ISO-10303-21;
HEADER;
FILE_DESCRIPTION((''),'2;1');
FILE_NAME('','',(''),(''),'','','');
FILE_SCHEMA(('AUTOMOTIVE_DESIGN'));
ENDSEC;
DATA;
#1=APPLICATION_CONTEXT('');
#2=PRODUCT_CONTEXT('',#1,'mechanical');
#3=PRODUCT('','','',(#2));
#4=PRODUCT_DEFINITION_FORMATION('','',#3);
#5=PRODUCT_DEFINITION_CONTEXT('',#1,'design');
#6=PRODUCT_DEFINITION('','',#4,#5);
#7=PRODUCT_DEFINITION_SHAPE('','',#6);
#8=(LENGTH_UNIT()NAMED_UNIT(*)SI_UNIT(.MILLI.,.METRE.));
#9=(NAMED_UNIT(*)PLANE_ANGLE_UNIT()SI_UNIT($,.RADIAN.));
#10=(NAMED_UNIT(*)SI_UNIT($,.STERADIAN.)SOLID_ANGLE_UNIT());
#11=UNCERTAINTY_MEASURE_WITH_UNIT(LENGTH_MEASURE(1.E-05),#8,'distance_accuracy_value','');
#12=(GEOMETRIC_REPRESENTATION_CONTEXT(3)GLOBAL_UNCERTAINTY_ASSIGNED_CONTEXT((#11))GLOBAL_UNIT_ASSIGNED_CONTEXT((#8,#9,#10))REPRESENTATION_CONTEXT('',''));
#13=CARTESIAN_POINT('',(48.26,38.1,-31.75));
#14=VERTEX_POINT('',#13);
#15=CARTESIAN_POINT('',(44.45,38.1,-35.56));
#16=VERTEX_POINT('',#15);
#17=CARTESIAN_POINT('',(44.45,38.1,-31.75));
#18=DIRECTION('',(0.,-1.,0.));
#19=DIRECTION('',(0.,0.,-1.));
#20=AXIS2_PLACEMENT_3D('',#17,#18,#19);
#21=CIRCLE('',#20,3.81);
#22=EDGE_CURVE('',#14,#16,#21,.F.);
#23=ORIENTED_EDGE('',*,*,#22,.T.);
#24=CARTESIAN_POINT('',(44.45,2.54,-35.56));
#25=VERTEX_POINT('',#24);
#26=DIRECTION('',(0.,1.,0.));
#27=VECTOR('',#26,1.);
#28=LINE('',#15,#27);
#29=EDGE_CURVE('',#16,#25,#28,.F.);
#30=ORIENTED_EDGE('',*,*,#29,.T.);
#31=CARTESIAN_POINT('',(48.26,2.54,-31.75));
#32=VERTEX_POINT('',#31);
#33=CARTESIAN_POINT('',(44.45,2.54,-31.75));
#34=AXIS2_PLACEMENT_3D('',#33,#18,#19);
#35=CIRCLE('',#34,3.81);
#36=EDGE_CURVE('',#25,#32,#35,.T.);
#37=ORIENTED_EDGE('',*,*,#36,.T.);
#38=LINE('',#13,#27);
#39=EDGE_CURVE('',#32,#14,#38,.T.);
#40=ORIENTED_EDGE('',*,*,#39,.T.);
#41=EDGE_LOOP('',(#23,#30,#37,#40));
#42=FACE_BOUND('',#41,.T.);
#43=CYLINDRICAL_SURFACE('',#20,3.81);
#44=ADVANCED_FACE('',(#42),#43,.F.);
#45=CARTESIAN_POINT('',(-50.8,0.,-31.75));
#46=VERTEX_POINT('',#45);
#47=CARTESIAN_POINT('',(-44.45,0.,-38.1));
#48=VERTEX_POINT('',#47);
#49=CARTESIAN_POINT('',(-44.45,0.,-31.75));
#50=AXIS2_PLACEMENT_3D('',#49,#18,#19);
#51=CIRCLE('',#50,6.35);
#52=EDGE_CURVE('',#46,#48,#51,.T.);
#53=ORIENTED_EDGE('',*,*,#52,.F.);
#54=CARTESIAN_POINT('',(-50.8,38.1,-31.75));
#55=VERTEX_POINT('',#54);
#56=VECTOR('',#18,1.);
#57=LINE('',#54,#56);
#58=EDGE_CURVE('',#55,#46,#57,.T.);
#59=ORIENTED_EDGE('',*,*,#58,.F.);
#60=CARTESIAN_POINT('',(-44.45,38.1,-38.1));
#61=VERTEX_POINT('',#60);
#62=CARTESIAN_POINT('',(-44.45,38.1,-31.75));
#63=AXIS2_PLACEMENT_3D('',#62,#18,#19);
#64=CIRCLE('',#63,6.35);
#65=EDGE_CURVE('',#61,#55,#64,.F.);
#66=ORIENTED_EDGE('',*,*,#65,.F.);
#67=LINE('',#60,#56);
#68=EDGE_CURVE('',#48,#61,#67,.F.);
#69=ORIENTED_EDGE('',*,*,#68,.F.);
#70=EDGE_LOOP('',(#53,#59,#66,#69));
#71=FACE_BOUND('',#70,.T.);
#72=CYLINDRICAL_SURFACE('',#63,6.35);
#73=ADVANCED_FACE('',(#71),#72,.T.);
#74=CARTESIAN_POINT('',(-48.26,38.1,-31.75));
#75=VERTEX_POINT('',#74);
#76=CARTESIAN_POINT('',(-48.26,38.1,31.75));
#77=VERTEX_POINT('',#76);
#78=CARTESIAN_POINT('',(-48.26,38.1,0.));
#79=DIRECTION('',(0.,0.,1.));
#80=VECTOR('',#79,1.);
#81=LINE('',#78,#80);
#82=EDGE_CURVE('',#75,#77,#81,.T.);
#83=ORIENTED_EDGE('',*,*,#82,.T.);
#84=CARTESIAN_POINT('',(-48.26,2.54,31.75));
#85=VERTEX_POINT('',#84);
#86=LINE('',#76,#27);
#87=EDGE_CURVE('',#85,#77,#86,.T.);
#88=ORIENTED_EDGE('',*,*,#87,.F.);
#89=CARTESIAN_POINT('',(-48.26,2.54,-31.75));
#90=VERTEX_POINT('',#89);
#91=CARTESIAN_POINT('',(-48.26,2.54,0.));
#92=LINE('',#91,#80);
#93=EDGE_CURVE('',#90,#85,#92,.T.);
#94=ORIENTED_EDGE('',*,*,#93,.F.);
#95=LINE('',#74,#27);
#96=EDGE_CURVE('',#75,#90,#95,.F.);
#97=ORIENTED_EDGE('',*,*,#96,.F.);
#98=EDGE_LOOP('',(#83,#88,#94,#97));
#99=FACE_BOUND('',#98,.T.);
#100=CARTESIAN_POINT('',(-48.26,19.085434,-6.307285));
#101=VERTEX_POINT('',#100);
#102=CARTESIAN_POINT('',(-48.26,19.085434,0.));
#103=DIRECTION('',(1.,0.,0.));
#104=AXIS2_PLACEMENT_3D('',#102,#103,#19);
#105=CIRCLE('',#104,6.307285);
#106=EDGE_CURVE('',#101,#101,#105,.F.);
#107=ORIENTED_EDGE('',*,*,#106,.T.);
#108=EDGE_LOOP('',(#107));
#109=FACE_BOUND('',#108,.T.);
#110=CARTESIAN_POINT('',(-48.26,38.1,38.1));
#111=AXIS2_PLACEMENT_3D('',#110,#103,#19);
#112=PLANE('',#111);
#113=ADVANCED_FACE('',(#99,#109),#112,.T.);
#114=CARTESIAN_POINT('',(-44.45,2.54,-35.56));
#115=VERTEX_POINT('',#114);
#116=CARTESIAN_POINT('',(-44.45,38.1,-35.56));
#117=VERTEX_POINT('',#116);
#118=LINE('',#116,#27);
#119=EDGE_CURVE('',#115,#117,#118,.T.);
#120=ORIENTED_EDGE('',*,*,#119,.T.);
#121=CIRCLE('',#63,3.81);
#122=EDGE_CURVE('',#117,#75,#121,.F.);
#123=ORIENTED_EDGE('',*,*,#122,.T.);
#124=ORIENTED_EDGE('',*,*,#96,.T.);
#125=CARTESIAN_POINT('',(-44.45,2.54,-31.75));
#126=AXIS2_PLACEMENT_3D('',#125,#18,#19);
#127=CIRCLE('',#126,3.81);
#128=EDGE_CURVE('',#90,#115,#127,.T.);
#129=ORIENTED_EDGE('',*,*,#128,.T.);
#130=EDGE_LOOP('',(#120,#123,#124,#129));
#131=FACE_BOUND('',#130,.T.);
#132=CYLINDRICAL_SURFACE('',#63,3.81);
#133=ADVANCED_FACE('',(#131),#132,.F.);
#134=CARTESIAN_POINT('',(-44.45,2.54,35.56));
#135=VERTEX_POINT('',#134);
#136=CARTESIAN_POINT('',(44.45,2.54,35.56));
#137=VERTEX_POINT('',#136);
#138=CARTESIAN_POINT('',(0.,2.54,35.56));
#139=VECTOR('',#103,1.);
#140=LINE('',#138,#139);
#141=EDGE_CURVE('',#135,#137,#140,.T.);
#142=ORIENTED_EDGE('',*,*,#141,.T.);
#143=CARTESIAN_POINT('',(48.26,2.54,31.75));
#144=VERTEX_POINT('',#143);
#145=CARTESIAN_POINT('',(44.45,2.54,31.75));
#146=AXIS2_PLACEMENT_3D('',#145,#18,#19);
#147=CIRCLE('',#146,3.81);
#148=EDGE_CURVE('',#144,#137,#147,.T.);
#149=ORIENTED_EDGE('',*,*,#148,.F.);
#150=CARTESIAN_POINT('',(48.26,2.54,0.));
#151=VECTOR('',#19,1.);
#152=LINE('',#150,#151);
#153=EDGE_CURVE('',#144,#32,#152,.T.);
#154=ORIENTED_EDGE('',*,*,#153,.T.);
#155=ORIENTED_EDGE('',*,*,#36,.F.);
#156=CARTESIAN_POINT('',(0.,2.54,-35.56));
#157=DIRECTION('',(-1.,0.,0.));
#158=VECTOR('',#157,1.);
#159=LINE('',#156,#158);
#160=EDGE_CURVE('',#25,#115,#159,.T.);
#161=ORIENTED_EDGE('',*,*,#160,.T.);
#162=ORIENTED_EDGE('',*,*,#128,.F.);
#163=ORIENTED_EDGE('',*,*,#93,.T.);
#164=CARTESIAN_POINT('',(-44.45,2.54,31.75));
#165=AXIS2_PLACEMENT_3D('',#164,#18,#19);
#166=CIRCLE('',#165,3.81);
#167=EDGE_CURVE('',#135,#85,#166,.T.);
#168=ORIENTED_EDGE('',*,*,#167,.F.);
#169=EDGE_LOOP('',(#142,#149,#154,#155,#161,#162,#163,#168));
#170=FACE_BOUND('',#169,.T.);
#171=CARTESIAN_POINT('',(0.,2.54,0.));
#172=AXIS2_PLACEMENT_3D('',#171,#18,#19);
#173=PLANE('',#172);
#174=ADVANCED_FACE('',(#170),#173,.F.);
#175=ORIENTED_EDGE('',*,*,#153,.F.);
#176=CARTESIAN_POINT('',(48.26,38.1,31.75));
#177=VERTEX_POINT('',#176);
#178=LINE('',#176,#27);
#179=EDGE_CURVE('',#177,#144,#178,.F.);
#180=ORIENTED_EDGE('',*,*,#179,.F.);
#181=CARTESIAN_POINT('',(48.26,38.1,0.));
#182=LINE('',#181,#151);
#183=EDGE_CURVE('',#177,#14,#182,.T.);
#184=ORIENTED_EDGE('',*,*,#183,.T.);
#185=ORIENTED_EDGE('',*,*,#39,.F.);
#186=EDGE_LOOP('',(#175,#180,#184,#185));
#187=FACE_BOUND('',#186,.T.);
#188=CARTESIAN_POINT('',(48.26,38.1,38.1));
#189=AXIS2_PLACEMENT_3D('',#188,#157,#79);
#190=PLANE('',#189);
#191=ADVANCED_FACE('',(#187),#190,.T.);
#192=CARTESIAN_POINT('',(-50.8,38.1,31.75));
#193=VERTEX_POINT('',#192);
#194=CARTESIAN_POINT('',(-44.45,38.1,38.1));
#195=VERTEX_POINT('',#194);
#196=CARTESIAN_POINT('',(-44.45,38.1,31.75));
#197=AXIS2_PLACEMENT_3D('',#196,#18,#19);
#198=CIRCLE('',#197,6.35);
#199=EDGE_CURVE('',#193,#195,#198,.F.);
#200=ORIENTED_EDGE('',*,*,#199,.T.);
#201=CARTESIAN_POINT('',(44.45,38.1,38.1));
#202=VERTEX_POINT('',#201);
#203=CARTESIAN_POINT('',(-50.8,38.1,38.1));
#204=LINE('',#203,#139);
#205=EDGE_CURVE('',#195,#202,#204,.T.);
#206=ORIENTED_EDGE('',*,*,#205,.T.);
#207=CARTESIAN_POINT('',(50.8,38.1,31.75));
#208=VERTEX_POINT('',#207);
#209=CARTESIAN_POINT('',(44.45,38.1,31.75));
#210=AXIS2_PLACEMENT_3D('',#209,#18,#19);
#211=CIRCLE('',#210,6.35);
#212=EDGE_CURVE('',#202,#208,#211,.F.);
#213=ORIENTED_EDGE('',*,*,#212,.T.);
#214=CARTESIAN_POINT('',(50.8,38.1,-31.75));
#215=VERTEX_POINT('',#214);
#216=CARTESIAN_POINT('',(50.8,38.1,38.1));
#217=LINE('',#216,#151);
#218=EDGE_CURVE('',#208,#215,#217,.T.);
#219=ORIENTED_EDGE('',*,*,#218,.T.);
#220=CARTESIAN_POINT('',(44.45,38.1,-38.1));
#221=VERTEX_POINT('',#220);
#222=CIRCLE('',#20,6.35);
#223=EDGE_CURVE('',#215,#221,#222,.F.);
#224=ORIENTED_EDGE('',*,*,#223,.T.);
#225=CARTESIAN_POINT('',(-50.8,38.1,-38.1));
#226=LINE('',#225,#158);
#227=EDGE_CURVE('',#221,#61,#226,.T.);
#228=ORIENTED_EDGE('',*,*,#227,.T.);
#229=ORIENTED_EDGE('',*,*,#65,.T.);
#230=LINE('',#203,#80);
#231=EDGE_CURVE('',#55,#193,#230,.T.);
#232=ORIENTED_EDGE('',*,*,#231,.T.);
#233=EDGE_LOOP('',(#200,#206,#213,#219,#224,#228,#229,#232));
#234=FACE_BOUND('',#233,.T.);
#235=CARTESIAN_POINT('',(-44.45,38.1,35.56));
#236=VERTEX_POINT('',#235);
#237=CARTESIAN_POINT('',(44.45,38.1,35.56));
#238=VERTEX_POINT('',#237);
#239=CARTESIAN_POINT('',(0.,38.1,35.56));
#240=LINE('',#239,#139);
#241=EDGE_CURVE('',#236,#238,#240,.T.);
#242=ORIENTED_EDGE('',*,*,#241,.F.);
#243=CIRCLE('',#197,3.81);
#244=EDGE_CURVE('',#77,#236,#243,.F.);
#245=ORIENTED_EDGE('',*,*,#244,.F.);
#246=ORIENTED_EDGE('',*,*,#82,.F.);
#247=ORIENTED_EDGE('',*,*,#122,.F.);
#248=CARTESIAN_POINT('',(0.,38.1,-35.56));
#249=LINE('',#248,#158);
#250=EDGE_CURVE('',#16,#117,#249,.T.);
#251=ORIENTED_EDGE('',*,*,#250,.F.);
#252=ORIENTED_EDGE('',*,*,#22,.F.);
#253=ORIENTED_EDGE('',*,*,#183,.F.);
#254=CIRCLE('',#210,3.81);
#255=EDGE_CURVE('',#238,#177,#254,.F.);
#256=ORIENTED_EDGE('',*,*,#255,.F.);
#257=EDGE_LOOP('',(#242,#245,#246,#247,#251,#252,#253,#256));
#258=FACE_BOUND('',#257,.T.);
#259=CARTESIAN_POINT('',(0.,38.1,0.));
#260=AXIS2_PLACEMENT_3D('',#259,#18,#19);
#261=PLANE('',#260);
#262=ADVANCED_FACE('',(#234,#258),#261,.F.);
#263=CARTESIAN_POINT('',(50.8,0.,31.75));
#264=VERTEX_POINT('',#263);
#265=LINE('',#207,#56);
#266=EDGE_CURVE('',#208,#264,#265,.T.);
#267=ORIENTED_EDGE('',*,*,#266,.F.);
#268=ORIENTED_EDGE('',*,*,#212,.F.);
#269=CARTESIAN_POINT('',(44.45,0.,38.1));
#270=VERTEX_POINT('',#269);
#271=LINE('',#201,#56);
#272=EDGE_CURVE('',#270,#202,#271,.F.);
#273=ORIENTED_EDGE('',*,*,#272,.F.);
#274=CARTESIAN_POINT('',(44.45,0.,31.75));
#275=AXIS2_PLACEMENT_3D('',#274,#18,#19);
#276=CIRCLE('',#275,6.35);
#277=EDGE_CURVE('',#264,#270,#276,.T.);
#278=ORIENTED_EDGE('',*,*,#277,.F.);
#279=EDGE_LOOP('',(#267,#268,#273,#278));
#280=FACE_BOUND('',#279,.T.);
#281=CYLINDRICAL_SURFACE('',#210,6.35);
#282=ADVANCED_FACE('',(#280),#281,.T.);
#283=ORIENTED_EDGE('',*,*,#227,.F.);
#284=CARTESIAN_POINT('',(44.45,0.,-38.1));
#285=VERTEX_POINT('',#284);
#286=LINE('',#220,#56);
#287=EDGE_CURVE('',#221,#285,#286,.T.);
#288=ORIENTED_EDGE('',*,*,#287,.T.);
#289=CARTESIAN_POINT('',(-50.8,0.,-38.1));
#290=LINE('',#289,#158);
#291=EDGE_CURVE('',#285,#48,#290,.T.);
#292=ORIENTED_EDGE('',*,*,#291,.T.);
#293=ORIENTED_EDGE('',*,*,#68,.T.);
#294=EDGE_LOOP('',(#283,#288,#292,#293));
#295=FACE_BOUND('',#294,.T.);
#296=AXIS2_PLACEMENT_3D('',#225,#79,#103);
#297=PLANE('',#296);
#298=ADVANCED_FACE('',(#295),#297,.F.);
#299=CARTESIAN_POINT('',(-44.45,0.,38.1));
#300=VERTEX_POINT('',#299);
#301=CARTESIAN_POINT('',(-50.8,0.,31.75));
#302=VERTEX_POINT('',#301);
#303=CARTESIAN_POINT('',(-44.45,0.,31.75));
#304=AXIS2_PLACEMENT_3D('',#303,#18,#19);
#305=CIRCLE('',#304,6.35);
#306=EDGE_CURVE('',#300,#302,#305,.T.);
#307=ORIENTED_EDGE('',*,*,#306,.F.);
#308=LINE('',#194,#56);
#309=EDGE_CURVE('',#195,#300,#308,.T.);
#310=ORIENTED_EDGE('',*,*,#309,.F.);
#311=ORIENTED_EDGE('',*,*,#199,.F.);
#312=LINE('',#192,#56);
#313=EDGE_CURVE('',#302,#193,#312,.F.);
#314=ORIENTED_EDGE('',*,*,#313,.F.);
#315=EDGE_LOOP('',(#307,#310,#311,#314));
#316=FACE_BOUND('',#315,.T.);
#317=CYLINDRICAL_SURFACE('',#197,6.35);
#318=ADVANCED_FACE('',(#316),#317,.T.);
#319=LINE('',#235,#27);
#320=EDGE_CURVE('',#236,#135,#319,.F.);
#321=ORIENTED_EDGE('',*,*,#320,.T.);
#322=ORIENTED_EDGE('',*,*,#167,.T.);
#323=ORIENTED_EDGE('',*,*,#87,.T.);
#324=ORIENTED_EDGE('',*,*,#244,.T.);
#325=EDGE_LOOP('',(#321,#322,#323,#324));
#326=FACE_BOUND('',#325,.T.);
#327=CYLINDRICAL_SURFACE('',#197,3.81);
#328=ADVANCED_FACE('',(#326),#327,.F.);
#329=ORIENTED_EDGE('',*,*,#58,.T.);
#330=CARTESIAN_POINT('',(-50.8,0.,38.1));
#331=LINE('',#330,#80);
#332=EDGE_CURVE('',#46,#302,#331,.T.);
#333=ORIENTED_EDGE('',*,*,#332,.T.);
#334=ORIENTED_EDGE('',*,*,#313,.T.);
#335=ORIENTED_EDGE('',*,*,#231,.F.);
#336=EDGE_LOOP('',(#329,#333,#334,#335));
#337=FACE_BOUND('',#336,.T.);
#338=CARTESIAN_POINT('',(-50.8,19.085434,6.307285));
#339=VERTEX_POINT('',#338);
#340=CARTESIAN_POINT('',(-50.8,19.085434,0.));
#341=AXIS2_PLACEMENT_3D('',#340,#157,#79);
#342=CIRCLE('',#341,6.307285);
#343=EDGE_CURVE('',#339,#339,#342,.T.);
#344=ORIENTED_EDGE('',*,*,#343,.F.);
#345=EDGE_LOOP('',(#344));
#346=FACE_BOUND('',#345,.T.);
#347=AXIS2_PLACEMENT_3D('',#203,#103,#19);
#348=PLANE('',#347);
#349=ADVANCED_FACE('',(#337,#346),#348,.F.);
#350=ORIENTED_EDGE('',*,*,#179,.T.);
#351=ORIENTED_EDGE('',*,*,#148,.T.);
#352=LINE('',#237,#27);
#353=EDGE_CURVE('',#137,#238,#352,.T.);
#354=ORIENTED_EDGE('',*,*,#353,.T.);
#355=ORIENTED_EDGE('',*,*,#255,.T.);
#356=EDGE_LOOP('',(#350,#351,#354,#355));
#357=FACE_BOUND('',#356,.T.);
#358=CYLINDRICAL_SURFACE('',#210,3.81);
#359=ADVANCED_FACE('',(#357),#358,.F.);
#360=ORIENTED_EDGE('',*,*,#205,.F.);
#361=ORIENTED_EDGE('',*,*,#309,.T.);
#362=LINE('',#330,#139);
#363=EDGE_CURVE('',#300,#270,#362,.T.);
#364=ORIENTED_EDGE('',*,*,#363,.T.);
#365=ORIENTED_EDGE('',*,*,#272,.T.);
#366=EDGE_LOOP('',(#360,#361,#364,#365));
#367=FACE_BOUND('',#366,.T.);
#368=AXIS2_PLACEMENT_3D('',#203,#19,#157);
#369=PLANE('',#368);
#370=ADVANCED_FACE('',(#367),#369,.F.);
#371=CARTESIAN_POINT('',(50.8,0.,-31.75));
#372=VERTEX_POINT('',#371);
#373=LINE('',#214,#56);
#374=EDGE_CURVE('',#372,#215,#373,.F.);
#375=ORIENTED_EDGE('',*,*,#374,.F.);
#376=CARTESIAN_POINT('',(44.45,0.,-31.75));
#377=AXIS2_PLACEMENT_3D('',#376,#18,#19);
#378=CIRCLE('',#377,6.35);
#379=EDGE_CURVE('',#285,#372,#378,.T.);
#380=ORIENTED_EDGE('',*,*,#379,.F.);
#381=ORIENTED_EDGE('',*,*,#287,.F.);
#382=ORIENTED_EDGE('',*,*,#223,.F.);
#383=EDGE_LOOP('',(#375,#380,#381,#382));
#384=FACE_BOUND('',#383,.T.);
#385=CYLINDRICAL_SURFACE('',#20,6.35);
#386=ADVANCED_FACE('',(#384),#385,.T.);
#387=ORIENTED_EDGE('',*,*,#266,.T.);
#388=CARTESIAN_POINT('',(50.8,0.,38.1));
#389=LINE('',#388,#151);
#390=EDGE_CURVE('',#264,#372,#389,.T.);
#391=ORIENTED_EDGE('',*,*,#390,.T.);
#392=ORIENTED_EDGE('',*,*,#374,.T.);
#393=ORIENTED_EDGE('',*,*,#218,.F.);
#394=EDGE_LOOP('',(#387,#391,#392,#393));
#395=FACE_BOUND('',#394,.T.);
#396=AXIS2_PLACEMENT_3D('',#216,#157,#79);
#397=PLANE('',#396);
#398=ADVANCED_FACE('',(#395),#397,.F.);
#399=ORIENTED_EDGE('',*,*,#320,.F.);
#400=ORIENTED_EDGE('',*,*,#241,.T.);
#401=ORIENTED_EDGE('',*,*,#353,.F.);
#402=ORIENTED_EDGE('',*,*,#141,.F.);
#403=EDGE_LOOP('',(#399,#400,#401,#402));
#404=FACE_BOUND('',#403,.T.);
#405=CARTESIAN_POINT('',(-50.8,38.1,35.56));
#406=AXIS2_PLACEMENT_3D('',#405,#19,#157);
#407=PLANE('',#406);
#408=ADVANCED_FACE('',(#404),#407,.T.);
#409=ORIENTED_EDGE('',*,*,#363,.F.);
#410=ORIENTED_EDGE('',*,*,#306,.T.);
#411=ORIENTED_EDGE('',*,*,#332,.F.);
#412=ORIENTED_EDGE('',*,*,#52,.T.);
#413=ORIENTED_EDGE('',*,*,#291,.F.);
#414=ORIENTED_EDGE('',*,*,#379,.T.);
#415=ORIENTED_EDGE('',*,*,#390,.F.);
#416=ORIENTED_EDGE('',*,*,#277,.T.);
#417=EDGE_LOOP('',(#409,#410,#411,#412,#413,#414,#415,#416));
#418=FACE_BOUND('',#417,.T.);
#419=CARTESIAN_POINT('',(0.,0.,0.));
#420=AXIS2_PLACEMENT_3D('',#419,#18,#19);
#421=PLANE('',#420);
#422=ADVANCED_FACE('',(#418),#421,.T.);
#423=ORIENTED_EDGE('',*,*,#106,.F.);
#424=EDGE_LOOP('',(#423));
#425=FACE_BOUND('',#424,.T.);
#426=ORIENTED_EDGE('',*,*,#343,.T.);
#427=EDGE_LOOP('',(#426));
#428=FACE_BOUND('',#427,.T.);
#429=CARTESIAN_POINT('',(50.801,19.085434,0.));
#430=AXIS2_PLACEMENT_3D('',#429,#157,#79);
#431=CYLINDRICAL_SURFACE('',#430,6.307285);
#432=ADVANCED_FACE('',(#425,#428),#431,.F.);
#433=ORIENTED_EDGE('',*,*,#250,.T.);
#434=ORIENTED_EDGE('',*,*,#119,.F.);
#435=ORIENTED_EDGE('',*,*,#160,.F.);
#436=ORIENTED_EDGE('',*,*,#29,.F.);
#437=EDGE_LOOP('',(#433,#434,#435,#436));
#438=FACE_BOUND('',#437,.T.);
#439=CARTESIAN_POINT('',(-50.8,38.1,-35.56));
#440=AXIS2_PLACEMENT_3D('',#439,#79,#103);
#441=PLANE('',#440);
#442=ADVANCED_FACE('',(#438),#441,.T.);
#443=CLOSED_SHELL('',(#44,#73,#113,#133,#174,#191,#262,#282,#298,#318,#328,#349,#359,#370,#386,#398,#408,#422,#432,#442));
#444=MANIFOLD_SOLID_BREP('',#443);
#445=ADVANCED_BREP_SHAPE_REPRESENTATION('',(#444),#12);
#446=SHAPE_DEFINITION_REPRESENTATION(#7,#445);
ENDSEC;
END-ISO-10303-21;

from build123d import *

# Parameters (mm, degrees)
SKETCH1_W        = 101.6
SKETCH1_H        = 76.2
BODY_DEPTH       = 38.1
CORNER_FILLETS_R = 6.35
SHELL_T          = -2.54
CABLE_HOLE_REACH = 117.003
SKETCH2_R        = 6.307285196


with BuildPart() as part:
    # Sketch1 → Body (new body)
    with BuildSketch(Plane(origin=(0, 0, 0), x_dir=(1, 0, 0), z_dir=(0, 1, 0))):
        Rectangle(SKETCH1_W, SKETCH1_H)
    extrude(amount=BODY_DEPTH)

    # Corner Fillets
    corner_fillets_edges = [part.edges().sort_by_distance(p)[0] for p in [
        (50.8, 19.05, 38.1),
        (-50.8, 19.05, 38.1),
        (-50.8, 19.05, -38.1),
        (50.8, 19.05, -38.1),
    ]]
    fillet(corner_fillets_edges, radius=CORNER_FILLETS_R)

    # Shell
    shell_openings = [part.faces().sort_by_distance(p)[0] for p in [
        (0, 38.1, 0),
    ]]
    offset(amount=SHELL_T, openings=shell_openings, kind=Kind.INTERSECTION)

    # Sketch2 → Cable Hole (cut, up to next)
    with BuildSketch(Plane.ZY.offset(50.8), mode=Mode.PRIVATE) as cable_hole_sk1:
        with Locations((0, 19.085434186)):
            Circle(SKETCH2_R)
    cable_hole_tool1 = extrude(cable_hole_sk1.sketch, amount=-CABLE_HOLE_REACH, mode=Mode.PRIVATE) & part.part
    add(cable_hole_tool1.solids().sort_by_distance((-50.8, 19.085434, 0))[0], mode=Mode.SUBTRACT)


solid = part.part
